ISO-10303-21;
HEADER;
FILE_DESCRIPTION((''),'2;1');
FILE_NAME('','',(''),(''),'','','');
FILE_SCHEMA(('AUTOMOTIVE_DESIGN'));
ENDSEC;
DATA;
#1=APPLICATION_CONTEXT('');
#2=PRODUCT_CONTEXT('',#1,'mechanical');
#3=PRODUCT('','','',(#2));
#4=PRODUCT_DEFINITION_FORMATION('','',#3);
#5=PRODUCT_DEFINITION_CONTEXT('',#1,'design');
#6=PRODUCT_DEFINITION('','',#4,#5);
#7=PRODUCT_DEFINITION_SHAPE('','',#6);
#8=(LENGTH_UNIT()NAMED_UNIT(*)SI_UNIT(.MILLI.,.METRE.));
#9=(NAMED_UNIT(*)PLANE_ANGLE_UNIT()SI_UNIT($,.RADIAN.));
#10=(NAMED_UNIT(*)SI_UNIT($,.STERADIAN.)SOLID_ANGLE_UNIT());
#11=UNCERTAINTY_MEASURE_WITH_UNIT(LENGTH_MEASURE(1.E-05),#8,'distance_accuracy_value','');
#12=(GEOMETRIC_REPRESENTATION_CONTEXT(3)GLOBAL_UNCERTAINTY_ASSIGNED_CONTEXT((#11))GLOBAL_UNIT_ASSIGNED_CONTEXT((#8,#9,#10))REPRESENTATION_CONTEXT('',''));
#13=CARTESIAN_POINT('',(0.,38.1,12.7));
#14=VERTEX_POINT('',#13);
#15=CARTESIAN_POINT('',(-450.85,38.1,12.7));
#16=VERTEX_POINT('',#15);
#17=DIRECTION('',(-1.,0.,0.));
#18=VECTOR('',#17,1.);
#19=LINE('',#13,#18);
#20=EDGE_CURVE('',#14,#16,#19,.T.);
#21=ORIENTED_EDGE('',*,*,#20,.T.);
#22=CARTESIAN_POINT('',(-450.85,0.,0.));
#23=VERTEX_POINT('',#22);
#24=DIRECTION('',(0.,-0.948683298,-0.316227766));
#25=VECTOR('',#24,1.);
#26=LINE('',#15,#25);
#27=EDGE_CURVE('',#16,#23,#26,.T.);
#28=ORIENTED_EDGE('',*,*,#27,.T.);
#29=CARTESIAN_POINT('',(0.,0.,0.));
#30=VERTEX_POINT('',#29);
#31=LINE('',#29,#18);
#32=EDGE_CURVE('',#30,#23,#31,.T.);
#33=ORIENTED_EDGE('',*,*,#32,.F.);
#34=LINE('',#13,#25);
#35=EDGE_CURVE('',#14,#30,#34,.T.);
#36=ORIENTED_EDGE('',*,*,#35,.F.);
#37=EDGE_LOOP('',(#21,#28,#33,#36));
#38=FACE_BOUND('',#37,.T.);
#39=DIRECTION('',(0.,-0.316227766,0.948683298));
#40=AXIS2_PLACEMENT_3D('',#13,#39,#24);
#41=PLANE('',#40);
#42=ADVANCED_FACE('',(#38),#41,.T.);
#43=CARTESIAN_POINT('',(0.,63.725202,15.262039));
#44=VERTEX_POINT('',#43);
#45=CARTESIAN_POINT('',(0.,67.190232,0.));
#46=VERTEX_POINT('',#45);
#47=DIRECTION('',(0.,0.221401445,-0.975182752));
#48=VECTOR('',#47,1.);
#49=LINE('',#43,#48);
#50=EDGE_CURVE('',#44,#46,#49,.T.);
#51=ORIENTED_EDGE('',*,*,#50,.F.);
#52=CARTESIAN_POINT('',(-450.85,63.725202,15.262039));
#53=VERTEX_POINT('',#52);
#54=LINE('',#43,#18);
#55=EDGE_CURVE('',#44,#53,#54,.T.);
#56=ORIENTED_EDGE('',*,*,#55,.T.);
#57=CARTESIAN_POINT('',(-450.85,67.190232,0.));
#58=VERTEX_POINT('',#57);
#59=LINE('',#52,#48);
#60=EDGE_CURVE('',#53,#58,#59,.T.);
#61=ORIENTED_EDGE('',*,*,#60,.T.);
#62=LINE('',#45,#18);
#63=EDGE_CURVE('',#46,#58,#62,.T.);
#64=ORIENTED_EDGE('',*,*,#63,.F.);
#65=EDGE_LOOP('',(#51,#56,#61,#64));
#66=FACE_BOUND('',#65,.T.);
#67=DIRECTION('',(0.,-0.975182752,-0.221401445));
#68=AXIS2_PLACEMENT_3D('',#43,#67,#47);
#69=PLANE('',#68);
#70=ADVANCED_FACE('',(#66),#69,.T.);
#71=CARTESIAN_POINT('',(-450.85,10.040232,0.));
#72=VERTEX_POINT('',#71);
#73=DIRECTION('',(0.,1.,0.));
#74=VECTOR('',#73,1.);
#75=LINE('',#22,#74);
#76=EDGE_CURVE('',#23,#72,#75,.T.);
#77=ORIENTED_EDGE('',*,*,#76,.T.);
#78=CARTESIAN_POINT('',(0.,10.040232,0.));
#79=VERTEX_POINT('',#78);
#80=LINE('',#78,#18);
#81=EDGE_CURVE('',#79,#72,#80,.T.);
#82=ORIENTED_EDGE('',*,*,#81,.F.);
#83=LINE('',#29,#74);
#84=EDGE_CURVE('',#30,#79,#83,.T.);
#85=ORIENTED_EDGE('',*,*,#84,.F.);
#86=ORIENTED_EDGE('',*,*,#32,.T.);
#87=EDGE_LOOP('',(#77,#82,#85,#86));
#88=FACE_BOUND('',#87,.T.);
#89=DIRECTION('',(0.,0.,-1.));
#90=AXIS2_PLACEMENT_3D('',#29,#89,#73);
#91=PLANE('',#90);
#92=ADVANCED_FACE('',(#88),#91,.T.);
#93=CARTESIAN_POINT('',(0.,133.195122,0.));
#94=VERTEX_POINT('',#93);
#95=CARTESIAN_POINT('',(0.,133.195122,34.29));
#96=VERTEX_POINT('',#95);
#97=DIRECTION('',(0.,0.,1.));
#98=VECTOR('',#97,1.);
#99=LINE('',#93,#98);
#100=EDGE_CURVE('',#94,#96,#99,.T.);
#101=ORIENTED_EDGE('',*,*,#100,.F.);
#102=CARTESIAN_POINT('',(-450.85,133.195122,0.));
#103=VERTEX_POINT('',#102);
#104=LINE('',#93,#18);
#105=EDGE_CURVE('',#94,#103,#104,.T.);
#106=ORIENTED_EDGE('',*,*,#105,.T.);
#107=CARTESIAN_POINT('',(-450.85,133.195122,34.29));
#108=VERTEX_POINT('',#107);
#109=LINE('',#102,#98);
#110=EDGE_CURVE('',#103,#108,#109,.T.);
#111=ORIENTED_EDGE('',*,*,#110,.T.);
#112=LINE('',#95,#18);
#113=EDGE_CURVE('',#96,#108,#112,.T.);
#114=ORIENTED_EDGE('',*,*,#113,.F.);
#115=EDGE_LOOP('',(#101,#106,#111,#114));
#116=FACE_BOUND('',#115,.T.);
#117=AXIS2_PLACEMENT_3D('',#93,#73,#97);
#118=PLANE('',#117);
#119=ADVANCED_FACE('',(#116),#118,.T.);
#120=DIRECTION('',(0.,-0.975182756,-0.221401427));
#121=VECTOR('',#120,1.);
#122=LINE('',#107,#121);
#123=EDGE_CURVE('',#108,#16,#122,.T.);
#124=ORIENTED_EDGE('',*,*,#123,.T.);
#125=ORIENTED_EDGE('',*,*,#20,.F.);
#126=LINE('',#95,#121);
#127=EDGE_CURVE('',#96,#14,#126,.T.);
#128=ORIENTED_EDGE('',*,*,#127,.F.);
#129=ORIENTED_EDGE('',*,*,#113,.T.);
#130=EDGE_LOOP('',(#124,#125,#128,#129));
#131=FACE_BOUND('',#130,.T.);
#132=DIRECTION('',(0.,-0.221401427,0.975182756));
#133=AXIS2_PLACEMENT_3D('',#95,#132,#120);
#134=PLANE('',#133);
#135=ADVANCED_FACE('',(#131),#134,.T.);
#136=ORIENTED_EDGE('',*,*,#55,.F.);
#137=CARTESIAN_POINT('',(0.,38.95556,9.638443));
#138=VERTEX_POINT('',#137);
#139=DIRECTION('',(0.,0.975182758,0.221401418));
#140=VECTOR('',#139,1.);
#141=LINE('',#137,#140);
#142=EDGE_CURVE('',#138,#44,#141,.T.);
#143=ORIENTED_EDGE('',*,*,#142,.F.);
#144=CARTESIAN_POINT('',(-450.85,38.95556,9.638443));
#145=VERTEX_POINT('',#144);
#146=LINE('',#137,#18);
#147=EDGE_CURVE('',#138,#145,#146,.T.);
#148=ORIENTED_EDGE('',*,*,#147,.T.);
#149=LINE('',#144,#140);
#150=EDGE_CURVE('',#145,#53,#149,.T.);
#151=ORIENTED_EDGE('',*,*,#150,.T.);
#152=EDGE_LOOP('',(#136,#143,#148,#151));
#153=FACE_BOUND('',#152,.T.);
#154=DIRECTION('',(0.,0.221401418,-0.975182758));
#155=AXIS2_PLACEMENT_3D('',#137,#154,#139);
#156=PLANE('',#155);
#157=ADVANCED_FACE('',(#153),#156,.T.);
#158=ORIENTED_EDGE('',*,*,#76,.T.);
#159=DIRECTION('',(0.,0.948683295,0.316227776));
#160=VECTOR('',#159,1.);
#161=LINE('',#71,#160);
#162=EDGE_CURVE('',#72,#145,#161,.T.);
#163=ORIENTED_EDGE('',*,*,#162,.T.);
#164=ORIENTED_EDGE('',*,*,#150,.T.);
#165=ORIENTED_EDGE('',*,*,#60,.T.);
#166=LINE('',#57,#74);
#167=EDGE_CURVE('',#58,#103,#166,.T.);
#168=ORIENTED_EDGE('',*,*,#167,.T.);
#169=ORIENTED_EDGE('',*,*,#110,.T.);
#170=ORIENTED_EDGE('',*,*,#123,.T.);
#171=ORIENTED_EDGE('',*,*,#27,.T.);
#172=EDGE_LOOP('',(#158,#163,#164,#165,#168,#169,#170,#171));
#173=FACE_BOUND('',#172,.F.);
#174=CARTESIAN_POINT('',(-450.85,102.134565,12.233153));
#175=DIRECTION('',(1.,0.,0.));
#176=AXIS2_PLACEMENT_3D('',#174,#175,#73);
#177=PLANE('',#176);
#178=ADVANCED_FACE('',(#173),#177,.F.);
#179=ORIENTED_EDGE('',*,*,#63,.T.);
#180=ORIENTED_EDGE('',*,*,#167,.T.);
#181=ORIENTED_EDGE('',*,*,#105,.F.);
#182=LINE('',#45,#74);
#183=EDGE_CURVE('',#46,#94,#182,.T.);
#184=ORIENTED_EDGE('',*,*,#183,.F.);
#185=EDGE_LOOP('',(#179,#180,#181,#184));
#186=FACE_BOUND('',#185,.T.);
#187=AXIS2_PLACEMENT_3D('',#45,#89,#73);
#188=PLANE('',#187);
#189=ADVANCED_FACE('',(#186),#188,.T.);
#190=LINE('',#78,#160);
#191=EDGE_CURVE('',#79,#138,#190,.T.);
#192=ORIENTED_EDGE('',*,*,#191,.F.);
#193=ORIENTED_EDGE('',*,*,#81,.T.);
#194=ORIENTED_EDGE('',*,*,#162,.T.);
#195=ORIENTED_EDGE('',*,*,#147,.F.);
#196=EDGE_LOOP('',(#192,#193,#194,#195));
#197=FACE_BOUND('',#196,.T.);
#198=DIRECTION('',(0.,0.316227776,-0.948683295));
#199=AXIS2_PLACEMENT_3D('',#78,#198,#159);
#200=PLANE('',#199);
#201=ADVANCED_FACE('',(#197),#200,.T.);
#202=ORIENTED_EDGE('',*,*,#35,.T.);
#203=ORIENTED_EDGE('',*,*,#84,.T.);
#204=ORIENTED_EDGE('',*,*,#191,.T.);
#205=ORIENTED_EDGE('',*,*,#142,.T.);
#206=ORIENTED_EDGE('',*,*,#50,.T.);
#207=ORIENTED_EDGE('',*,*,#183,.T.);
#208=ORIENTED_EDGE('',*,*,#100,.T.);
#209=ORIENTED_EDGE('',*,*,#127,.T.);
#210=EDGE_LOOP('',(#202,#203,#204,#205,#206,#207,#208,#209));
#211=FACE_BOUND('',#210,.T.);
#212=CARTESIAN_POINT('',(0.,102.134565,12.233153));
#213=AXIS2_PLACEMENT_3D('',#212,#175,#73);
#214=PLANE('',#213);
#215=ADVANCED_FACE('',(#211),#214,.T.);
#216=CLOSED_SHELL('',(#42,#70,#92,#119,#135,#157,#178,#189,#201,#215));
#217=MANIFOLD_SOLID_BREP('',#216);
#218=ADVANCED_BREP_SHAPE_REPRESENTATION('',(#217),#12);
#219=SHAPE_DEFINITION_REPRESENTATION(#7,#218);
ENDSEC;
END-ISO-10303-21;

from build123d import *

# Parameters (mm, degrees)
F1_DEPTH = 450.85


with BuildPart() as f1:
    # F0 (on Right) → F1 (new body)
    with BuildSketch(Plane.YZ):
        Polygon((133.195122, 31.0342), (63.725202, 15.262039), (67.190232, 0), (133.195122, 0), align=None)
        Polygon((38.1, 12.7), (0, 0), (10.040232, 0), (38.95556, 9.638443), (63.725202, 15.262039), (133.195122, 31.0342), (133.195122, 34.29), align=None)
    extrude(amount=-F1_DEPTH)


solid = f1.part
